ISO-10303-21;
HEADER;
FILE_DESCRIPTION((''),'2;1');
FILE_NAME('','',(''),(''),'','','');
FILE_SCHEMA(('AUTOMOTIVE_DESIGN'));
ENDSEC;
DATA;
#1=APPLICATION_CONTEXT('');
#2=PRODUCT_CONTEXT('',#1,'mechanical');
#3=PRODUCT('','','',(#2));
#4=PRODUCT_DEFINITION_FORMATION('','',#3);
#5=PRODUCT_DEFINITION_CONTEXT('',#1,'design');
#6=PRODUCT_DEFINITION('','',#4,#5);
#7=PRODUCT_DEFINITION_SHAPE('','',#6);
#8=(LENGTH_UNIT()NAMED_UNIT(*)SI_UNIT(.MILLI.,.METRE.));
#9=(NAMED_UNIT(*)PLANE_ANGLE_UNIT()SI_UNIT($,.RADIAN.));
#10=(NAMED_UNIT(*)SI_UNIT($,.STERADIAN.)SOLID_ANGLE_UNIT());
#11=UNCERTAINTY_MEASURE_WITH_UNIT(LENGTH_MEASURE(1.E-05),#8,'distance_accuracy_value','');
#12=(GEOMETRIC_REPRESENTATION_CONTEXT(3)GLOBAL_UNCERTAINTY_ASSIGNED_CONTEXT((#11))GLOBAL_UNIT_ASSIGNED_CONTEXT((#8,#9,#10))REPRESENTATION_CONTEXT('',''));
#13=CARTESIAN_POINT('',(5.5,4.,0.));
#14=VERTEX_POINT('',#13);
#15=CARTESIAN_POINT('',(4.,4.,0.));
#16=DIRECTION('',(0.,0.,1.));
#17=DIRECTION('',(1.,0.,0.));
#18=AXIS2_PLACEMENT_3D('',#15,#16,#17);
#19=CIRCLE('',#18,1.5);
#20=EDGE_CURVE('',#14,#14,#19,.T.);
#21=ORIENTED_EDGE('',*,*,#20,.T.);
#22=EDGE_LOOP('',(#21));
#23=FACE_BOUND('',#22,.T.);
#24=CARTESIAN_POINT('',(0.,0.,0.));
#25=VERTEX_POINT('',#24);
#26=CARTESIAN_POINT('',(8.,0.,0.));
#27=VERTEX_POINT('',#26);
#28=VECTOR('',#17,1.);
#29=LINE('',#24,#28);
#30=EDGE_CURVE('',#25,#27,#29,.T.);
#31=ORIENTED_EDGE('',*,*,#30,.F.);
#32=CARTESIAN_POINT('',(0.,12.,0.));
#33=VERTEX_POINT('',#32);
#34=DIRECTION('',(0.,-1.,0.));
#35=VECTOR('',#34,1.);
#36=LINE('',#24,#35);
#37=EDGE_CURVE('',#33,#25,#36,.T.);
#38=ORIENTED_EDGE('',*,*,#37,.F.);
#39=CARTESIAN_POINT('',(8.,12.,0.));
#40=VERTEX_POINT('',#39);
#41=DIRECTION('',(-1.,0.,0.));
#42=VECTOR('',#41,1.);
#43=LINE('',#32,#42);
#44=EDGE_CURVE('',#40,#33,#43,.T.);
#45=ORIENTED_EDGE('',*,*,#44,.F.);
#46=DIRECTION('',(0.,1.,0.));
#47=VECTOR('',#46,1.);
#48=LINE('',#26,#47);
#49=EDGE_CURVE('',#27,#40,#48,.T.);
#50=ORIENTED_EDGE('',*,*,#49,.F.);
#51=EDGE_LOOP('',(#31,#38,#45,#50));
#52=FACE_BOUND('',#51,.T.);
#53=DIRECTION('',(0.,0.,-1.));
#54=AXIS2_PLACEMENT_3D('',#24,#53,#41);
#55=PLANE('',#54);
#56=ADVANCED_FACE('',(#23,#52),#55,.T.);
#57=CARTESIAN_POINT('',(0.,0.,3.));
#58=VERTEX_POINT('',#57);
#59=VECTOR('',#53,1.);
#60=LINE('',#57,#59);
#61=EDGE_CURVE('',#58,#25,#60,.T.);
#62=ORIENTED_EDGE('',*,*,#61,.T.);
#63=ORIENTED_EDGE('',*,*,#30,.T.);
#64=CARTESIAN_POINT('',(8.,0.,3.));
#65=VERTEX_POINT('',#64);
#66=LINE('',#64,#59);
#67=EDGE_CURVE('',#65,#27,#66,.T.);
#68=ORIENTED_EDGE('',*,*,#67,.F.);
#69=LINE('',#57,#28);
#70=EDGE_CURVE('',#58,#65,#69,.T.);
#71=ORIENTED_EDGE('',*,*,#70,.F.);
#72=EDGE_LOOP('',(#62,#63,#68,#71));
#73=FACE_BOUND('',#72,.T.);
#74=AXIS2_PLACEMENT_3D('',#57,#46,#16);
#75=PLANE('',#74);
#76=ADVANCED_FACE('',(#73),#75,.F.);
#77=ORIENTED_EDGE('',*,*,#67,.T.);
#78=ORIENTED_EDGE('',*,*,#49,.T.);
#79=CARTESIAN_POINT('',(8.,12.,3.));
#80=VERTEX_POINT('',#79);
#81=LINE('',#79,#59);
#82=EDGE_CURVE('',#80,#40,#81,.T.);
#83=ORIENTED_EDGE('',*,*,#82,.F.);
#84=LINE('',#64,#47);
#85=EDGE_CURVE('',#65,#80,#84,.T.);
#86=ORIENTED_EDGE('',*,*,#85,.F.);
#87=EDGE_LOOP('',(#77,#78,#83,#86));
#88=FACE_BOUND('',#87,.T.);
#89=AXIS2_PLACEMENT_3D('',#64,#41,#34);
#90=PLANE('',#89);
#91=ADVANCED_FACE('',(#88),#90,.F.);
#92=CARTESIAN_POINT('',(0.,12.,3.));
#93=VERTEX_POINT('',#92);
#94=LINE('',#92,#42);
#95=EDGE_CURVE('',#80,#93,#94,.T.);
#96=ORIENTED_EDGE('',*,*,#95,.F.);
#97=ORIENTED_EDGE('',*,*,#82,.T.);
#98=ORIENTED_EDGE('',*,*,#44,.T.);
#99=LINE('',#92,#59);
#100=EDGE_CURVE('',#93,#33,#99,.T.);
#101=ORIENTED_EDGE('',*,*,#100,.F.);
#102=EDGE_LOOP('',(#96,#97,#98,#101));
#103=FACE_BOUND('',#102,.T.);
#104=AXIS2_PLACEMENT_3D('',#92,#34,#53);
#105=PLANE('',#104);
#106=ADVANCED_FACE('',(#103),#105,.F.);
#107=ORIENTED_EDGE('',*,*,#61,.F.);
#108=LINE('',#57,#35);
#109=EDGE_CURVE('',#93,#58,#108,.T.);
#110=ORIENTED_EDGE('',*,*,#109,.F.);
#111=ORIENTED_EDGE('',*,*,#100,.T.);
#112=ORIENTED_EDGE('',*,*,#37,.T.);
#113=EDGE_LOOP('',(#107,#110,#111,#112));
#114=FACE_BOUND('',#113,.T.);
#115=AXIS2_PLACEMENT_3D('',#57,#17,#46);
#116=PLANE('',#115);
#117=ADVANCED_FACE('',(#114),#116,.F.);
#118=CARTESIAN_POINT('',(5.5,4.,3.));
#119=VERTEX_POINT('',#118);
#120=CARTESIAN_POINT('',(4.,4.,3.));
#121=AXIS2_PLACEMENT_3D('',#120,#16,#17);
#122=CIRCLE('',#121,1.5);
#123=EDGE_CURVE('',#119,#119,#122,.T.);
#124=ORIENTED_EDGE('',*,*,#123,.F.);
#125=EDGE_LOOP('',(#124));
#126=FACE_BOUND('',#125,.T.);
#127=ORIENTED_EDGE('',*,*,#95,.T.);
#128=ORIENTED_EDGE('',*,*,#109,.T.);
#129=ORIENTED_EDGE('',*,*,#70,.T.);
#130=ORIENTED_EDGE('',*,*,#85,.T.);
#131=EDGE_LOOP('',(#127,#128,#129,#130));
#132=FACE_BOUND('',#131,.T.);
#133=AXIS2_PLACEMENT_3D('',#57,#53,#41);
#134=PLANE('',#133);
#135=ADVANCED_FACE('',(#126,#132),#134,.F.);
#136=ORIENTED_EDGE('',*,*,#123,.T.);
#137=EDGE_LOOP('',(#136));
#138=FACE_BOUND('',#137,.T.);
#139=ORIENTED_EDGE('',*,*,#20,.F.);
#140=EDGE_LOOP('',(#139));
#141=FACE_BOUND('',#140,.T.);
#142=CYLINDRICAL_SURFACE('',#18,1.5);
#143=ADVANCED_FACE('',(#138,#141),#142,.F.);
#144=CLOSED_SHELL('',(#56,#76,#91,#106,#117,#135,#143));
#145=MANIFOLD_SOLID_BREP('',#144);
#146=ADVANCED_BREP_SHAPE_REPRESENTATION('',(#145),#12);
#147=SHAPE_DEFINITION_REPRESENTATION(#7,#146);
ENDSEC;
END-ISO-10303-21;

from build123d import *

# Parameters (mm, degrees)
SKETCH_1_W          = 8
SKETCH_1_H          = 12
EXTRUDE_1_DEPTH     = 3
SKETCH_2_R          = 1.5
CUT_EXTRUDE_1_DEPTH = 15.730919863


with BuildPart() as part:
    # Эскиз1 → Бобышка-Вытянуть1 (new body)
    with BuildSketch(Plane.XY):
        with Locations((4, 6)):
            Rectangle(SKETCH_1_W, SKETCH_1_H)
    extrude(amount=EXTRUDE_1_DEPTH)

    # Эскиз2 → Вырез-Вытянуть1 (cut, through all)
    with BuildSketch(Plane.XY.offset(3)):
        with Locations((4, 4)):
            Circle(SKETCH_2_R)
    extrude(amount=-CUT_EXTRUDE_1_DEPTH, mode=Mode.SUBTRACT)


solid = part.part
